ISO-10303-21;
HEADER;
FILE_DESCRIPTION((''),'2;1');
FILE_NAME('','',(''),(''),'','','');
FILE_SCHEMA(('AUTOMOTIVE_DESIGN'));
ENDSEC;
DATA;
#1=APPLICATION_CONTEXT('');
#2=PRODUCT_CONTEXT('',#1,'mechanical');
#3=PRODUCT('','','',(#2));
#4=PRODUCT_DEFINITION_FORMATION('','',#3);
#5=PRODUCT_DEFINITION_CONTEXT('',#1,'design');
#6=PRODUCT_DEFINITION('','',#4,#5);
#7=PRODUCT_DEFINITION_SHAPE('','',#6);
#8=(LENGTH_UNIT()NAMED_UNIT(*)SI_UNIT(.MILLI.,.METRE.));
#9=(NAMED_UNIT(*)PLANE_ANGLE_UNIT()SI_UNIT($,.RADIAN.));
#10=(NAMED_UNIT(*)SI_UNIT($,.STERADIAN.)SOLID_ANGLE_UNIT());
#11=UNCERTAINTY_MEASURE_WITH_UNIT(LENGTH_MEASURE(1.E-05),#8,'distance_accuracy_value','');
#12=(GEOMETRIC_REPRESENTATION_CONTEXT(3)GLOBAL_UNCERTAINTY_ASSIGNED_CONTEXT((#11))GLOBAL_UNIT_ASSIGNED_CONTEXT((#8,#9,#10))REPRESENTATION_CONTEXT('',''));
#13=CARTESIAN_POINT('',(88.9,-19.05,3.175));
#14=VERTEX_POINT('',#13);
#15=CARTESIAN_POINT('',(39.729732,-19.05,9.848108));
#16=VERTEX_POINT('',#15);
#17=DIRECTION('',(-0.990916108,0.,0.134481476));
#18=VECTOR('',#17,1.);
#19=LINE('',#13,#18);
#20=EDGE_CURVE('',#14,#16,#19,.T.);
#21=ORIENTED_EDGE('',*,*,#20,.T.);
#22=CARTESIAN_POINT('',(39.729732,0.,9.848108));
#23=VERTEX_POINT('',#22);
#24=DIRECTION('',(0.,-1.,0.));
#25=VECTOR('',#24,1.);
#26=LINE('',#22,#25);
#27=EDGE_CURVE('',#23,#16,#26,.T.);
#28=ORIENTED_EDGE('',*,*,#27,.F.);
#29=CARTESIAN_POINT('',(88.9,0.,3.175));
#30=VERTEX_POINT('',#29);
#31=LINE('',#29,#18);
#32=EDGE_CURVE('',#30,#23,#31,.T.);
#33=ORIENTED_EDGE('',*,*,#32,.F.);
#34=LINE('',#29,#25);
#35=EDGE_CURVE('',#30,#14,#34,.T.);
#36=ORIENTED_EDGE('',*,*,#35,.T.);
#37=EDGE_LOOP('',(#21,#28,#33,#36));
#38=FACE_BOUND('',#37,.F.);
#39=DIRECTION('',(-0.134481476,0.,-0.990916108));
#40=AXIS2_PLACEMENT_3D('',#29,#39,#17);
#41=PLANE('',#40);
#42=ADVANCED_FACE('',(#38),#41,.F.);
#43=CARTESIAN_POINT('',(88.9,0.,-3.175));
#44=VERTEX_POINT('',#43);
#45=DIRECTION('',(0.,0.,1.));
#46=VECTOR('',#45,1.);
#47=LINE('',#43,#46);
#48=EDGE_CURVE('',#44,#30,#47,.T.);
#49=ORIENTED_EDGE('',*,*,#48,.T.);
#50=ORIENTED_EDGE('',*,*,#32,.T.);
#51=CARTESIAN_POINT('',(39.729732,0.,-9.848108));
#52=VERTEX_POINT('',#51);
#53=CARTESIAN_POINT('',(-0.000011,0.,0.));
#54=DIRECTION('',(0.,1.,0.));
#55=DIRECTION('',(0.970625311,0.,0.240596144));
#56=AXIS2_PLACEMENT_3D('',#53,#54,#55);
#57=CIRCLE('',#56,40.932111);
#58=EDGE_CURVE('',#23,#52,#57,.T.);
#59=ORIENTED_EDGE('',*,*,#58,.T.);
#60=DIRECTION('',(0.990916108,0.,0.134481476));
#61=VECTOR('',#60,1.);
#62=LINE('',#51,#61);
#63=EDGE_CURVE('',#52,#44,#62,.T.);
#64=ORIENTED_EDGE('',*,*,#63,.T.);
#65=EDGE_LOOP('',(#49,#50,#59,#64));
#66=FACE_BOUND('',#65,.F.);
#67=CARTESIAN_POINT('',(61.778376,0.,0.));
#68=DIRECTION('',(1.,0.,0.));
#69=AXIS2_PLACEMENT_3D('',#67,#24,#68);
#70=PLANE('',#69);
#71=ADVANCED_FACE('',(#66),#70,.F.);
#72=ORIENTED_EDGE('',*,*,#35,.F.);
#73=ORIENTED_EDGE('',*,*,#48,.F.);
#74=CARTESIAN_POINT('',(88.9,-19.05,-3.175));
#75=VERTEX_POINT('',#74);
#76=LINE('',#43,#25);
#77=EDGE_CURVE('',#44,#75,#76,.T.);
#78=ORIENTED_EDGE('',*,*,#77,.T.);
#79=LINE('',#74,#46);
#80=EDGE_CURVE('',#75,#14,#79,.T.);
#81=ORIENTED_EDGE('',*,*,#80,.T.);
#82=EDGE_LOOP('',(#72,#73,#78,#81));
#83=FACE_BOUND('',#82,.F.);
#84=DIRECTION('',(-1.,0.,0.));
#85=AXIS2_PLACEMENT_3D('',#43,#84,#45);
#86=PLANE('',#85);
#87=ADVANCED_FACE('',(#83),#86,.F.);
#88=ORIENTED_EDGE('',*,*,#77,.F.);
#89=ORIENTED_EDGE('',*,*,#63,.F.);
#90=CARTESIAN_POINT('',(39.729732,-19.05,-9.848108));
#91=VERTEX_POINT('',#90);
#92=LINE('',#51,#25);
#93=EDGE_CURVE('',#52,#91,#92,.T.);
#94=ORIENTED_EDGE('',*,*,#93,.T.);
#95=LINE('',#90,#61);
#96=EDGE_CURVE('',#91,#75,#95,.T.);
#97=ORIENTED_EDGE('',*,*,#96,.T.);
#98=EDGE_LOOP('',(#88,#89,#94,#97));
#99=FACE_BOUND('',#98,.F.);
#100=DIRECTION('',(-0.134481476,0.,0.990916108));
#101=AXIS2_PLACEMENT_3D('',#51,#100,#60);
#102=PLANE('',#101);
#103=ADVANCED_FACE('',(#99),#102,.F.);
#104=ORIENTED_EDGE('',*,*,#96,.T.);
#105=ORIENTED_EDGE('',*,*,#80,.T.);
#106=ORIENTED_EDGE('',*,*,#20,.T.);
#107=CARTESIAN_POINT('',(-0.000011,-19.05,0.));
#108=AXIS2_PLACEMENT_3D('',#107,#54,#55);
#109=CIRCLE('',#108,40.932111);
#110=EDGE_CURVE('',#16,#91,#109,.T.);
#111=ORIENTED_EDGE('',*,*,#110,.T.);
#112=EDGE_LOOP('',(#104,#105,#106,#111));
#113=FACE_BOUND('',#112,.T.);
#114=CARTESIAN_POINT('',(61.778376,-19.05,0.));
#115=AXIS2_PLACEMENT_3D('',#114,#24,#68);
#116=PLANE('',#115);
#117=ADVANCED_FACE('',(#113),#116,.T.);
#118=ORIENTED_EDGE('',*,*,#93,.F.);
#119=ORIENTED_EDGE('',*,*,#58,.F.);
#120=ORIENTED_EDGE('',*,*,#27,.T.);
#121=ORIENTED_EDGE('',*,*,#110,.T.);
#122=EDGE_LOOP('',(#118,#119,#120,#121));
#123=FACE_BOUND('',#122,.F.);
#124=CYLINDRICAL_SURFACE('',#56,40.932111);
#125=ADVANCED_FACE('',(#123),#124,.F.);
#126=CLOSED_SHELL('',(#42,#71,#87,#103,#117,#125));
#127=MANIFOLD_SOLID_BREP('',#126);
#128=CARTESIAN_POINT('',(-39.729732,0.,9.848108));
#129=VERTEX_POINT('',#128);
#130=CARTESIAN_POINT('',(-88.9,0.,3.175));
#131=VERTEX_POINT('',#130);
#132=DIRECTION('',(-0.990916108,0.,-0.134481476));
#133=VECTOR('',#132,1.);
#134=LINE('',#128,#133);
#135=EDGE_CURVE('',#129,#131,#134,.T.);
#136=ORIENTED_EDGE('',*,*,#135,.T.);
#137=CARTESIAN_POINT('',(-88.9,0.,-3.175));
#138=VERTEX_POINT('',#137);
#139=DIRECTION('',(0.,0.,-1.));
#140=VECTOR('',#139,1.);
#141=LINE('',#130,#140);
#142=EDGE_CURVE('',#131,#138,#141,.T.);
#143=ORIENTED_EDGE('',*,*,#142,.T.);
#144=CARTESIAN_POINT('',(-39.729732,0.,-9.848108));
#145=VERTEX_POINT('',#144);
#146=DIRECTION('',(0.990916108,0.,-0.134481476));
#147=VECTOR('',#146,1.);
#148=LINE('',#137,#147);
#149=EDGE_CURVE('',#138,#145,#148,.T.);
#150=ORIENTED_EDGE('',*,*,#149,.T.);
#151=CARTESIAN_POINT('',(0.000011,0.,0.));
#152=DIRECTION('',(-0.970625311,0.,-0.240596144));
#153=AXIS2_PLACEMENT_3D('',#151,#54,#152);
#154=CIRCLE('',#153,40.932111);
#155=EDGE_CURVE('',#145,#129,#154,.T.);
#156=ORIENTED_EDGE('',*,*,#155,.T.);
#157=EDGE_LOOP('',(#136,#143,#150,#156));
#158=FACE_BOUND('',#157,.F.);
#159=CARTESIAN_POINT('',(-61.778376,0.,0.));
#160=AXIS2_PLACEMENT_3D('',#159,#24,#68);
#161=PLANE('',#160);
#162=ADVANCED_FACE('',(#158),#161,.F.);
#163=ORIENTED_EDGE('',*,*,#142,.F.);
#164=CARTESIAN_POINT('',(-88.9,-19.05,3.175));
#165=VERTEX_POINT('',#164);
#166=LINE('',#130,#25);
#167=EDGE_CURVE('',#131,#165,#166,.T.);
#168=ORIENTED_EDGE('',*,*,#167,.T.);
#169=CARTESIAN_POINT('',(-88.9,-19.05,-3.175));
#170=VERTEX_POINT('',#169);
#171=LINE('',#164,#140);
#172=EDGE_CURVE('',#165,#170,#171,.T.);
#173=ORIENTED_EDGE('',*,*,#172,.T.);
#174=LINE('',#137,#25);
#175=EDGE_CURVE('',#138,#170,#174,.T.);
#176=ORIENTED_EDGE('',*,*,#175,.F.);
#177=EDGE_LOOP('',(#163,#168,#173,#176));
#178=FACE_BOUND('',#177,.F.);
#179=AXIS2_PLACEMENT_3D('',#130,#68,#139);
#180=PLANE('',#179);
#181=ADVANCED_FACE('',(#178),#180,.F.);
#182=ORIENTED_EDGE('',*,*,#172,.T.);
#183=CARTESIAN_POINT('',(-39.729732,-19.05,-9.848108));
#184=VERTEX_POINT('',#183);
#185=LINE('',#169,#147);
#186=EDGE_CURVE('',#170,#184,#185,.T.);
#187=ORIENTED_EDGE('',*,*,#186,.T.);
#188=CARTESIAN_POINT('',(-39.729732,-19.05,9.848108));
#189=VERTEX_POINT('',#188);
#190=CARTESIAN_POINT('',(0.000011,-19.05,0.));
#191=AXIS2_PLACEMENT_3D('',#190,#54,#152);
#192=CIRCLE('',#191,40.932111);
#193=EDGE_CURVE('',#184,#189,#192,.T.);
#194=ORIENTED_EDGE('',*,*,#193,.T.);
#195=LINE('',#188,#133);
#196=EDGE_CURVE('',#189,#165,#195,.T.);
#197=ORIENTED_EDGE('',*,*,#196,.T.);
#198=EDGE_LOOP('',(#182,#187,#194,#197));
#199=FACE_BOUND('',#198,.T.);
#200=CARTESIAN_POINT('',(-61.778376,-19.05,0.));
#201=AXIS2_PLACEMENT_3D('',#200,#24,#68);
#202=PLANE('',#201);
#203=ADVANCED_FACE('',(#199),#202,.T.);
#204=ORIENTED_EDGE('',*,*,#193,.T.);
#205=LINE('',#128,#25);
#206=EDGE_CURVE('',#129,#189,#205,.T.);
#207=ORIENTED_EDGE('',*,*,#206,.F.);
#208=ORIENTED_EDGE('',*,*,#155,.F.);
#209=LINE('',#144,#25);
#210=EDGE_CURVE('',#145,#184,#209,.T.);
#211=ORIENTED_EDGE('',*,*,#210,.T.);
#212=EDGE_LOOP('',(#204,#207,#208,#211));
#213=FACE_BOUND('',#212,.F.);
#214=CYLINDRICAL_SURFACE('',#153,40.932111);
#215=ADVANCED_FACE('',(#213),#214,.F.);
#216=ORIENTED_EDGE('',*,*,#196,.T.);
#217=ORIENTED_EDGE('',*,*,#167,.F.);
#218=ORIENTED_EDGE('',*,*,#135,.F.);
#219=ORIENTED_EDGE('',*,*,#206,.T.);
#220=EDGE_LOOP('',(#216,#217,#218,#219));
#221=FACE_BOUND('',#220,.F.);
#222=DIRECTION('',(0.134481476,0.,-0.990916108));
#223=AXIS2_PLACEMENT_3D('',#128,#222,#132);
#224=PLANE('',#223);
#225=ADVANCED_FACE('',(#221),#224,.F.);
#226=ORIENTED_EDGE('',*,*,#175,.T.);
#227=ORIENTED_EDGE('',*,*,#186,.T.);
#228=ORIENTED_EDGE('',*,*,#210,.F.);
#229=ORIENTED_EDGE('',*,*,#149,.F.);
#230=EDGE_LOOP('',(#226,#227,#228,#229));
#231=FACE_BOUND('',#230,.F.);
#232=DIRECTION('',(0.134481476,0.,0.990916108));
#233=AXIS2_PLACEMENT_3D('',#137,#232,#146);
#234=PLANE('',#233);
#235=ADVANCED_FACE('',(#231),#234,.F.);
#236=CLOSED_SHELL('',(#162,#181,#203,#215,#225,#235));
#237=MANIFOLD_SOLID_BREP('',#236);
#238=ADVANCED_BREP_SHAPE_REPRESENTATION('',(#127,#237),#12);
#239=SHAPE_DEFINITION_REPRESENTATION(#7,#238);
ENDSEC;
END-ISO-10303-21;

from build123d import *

# Parameters (mm, degrees)
F1_DEPTH = 19.05


with BuildPart() as f1:
    # F0 (on Front) → F1 (new body)
    with BuildSketch(Plane.XZ):
        with BuildLine():
            ThreePointArc((-39.729732, -9.848108), (-40.9321, 0), (-39.729732, 9.848108))
            Line((-39.729732, 9.848108), (-88.9, 3.175))
            Line((-88.9, 3.175), (-88.9, -3.175))
            Line((-88.9, -3.175), (-39.729732, -9.848108))
        make_face()
        with BuildLine():
            Line((39.729732, -9.848108), (88.9, -3.175))
            Line((88.9, -3.175), (88.9, 3.175))
            Line((88.9, 3.175), (39.729732, 9.848108))
            ThreePointArc((39.729732, 9.848108), (40.9321, 0), (39.729732, -9.848108))
        make_face()
    extrude(amount=F1_DEPTH)


solid = f1.part
